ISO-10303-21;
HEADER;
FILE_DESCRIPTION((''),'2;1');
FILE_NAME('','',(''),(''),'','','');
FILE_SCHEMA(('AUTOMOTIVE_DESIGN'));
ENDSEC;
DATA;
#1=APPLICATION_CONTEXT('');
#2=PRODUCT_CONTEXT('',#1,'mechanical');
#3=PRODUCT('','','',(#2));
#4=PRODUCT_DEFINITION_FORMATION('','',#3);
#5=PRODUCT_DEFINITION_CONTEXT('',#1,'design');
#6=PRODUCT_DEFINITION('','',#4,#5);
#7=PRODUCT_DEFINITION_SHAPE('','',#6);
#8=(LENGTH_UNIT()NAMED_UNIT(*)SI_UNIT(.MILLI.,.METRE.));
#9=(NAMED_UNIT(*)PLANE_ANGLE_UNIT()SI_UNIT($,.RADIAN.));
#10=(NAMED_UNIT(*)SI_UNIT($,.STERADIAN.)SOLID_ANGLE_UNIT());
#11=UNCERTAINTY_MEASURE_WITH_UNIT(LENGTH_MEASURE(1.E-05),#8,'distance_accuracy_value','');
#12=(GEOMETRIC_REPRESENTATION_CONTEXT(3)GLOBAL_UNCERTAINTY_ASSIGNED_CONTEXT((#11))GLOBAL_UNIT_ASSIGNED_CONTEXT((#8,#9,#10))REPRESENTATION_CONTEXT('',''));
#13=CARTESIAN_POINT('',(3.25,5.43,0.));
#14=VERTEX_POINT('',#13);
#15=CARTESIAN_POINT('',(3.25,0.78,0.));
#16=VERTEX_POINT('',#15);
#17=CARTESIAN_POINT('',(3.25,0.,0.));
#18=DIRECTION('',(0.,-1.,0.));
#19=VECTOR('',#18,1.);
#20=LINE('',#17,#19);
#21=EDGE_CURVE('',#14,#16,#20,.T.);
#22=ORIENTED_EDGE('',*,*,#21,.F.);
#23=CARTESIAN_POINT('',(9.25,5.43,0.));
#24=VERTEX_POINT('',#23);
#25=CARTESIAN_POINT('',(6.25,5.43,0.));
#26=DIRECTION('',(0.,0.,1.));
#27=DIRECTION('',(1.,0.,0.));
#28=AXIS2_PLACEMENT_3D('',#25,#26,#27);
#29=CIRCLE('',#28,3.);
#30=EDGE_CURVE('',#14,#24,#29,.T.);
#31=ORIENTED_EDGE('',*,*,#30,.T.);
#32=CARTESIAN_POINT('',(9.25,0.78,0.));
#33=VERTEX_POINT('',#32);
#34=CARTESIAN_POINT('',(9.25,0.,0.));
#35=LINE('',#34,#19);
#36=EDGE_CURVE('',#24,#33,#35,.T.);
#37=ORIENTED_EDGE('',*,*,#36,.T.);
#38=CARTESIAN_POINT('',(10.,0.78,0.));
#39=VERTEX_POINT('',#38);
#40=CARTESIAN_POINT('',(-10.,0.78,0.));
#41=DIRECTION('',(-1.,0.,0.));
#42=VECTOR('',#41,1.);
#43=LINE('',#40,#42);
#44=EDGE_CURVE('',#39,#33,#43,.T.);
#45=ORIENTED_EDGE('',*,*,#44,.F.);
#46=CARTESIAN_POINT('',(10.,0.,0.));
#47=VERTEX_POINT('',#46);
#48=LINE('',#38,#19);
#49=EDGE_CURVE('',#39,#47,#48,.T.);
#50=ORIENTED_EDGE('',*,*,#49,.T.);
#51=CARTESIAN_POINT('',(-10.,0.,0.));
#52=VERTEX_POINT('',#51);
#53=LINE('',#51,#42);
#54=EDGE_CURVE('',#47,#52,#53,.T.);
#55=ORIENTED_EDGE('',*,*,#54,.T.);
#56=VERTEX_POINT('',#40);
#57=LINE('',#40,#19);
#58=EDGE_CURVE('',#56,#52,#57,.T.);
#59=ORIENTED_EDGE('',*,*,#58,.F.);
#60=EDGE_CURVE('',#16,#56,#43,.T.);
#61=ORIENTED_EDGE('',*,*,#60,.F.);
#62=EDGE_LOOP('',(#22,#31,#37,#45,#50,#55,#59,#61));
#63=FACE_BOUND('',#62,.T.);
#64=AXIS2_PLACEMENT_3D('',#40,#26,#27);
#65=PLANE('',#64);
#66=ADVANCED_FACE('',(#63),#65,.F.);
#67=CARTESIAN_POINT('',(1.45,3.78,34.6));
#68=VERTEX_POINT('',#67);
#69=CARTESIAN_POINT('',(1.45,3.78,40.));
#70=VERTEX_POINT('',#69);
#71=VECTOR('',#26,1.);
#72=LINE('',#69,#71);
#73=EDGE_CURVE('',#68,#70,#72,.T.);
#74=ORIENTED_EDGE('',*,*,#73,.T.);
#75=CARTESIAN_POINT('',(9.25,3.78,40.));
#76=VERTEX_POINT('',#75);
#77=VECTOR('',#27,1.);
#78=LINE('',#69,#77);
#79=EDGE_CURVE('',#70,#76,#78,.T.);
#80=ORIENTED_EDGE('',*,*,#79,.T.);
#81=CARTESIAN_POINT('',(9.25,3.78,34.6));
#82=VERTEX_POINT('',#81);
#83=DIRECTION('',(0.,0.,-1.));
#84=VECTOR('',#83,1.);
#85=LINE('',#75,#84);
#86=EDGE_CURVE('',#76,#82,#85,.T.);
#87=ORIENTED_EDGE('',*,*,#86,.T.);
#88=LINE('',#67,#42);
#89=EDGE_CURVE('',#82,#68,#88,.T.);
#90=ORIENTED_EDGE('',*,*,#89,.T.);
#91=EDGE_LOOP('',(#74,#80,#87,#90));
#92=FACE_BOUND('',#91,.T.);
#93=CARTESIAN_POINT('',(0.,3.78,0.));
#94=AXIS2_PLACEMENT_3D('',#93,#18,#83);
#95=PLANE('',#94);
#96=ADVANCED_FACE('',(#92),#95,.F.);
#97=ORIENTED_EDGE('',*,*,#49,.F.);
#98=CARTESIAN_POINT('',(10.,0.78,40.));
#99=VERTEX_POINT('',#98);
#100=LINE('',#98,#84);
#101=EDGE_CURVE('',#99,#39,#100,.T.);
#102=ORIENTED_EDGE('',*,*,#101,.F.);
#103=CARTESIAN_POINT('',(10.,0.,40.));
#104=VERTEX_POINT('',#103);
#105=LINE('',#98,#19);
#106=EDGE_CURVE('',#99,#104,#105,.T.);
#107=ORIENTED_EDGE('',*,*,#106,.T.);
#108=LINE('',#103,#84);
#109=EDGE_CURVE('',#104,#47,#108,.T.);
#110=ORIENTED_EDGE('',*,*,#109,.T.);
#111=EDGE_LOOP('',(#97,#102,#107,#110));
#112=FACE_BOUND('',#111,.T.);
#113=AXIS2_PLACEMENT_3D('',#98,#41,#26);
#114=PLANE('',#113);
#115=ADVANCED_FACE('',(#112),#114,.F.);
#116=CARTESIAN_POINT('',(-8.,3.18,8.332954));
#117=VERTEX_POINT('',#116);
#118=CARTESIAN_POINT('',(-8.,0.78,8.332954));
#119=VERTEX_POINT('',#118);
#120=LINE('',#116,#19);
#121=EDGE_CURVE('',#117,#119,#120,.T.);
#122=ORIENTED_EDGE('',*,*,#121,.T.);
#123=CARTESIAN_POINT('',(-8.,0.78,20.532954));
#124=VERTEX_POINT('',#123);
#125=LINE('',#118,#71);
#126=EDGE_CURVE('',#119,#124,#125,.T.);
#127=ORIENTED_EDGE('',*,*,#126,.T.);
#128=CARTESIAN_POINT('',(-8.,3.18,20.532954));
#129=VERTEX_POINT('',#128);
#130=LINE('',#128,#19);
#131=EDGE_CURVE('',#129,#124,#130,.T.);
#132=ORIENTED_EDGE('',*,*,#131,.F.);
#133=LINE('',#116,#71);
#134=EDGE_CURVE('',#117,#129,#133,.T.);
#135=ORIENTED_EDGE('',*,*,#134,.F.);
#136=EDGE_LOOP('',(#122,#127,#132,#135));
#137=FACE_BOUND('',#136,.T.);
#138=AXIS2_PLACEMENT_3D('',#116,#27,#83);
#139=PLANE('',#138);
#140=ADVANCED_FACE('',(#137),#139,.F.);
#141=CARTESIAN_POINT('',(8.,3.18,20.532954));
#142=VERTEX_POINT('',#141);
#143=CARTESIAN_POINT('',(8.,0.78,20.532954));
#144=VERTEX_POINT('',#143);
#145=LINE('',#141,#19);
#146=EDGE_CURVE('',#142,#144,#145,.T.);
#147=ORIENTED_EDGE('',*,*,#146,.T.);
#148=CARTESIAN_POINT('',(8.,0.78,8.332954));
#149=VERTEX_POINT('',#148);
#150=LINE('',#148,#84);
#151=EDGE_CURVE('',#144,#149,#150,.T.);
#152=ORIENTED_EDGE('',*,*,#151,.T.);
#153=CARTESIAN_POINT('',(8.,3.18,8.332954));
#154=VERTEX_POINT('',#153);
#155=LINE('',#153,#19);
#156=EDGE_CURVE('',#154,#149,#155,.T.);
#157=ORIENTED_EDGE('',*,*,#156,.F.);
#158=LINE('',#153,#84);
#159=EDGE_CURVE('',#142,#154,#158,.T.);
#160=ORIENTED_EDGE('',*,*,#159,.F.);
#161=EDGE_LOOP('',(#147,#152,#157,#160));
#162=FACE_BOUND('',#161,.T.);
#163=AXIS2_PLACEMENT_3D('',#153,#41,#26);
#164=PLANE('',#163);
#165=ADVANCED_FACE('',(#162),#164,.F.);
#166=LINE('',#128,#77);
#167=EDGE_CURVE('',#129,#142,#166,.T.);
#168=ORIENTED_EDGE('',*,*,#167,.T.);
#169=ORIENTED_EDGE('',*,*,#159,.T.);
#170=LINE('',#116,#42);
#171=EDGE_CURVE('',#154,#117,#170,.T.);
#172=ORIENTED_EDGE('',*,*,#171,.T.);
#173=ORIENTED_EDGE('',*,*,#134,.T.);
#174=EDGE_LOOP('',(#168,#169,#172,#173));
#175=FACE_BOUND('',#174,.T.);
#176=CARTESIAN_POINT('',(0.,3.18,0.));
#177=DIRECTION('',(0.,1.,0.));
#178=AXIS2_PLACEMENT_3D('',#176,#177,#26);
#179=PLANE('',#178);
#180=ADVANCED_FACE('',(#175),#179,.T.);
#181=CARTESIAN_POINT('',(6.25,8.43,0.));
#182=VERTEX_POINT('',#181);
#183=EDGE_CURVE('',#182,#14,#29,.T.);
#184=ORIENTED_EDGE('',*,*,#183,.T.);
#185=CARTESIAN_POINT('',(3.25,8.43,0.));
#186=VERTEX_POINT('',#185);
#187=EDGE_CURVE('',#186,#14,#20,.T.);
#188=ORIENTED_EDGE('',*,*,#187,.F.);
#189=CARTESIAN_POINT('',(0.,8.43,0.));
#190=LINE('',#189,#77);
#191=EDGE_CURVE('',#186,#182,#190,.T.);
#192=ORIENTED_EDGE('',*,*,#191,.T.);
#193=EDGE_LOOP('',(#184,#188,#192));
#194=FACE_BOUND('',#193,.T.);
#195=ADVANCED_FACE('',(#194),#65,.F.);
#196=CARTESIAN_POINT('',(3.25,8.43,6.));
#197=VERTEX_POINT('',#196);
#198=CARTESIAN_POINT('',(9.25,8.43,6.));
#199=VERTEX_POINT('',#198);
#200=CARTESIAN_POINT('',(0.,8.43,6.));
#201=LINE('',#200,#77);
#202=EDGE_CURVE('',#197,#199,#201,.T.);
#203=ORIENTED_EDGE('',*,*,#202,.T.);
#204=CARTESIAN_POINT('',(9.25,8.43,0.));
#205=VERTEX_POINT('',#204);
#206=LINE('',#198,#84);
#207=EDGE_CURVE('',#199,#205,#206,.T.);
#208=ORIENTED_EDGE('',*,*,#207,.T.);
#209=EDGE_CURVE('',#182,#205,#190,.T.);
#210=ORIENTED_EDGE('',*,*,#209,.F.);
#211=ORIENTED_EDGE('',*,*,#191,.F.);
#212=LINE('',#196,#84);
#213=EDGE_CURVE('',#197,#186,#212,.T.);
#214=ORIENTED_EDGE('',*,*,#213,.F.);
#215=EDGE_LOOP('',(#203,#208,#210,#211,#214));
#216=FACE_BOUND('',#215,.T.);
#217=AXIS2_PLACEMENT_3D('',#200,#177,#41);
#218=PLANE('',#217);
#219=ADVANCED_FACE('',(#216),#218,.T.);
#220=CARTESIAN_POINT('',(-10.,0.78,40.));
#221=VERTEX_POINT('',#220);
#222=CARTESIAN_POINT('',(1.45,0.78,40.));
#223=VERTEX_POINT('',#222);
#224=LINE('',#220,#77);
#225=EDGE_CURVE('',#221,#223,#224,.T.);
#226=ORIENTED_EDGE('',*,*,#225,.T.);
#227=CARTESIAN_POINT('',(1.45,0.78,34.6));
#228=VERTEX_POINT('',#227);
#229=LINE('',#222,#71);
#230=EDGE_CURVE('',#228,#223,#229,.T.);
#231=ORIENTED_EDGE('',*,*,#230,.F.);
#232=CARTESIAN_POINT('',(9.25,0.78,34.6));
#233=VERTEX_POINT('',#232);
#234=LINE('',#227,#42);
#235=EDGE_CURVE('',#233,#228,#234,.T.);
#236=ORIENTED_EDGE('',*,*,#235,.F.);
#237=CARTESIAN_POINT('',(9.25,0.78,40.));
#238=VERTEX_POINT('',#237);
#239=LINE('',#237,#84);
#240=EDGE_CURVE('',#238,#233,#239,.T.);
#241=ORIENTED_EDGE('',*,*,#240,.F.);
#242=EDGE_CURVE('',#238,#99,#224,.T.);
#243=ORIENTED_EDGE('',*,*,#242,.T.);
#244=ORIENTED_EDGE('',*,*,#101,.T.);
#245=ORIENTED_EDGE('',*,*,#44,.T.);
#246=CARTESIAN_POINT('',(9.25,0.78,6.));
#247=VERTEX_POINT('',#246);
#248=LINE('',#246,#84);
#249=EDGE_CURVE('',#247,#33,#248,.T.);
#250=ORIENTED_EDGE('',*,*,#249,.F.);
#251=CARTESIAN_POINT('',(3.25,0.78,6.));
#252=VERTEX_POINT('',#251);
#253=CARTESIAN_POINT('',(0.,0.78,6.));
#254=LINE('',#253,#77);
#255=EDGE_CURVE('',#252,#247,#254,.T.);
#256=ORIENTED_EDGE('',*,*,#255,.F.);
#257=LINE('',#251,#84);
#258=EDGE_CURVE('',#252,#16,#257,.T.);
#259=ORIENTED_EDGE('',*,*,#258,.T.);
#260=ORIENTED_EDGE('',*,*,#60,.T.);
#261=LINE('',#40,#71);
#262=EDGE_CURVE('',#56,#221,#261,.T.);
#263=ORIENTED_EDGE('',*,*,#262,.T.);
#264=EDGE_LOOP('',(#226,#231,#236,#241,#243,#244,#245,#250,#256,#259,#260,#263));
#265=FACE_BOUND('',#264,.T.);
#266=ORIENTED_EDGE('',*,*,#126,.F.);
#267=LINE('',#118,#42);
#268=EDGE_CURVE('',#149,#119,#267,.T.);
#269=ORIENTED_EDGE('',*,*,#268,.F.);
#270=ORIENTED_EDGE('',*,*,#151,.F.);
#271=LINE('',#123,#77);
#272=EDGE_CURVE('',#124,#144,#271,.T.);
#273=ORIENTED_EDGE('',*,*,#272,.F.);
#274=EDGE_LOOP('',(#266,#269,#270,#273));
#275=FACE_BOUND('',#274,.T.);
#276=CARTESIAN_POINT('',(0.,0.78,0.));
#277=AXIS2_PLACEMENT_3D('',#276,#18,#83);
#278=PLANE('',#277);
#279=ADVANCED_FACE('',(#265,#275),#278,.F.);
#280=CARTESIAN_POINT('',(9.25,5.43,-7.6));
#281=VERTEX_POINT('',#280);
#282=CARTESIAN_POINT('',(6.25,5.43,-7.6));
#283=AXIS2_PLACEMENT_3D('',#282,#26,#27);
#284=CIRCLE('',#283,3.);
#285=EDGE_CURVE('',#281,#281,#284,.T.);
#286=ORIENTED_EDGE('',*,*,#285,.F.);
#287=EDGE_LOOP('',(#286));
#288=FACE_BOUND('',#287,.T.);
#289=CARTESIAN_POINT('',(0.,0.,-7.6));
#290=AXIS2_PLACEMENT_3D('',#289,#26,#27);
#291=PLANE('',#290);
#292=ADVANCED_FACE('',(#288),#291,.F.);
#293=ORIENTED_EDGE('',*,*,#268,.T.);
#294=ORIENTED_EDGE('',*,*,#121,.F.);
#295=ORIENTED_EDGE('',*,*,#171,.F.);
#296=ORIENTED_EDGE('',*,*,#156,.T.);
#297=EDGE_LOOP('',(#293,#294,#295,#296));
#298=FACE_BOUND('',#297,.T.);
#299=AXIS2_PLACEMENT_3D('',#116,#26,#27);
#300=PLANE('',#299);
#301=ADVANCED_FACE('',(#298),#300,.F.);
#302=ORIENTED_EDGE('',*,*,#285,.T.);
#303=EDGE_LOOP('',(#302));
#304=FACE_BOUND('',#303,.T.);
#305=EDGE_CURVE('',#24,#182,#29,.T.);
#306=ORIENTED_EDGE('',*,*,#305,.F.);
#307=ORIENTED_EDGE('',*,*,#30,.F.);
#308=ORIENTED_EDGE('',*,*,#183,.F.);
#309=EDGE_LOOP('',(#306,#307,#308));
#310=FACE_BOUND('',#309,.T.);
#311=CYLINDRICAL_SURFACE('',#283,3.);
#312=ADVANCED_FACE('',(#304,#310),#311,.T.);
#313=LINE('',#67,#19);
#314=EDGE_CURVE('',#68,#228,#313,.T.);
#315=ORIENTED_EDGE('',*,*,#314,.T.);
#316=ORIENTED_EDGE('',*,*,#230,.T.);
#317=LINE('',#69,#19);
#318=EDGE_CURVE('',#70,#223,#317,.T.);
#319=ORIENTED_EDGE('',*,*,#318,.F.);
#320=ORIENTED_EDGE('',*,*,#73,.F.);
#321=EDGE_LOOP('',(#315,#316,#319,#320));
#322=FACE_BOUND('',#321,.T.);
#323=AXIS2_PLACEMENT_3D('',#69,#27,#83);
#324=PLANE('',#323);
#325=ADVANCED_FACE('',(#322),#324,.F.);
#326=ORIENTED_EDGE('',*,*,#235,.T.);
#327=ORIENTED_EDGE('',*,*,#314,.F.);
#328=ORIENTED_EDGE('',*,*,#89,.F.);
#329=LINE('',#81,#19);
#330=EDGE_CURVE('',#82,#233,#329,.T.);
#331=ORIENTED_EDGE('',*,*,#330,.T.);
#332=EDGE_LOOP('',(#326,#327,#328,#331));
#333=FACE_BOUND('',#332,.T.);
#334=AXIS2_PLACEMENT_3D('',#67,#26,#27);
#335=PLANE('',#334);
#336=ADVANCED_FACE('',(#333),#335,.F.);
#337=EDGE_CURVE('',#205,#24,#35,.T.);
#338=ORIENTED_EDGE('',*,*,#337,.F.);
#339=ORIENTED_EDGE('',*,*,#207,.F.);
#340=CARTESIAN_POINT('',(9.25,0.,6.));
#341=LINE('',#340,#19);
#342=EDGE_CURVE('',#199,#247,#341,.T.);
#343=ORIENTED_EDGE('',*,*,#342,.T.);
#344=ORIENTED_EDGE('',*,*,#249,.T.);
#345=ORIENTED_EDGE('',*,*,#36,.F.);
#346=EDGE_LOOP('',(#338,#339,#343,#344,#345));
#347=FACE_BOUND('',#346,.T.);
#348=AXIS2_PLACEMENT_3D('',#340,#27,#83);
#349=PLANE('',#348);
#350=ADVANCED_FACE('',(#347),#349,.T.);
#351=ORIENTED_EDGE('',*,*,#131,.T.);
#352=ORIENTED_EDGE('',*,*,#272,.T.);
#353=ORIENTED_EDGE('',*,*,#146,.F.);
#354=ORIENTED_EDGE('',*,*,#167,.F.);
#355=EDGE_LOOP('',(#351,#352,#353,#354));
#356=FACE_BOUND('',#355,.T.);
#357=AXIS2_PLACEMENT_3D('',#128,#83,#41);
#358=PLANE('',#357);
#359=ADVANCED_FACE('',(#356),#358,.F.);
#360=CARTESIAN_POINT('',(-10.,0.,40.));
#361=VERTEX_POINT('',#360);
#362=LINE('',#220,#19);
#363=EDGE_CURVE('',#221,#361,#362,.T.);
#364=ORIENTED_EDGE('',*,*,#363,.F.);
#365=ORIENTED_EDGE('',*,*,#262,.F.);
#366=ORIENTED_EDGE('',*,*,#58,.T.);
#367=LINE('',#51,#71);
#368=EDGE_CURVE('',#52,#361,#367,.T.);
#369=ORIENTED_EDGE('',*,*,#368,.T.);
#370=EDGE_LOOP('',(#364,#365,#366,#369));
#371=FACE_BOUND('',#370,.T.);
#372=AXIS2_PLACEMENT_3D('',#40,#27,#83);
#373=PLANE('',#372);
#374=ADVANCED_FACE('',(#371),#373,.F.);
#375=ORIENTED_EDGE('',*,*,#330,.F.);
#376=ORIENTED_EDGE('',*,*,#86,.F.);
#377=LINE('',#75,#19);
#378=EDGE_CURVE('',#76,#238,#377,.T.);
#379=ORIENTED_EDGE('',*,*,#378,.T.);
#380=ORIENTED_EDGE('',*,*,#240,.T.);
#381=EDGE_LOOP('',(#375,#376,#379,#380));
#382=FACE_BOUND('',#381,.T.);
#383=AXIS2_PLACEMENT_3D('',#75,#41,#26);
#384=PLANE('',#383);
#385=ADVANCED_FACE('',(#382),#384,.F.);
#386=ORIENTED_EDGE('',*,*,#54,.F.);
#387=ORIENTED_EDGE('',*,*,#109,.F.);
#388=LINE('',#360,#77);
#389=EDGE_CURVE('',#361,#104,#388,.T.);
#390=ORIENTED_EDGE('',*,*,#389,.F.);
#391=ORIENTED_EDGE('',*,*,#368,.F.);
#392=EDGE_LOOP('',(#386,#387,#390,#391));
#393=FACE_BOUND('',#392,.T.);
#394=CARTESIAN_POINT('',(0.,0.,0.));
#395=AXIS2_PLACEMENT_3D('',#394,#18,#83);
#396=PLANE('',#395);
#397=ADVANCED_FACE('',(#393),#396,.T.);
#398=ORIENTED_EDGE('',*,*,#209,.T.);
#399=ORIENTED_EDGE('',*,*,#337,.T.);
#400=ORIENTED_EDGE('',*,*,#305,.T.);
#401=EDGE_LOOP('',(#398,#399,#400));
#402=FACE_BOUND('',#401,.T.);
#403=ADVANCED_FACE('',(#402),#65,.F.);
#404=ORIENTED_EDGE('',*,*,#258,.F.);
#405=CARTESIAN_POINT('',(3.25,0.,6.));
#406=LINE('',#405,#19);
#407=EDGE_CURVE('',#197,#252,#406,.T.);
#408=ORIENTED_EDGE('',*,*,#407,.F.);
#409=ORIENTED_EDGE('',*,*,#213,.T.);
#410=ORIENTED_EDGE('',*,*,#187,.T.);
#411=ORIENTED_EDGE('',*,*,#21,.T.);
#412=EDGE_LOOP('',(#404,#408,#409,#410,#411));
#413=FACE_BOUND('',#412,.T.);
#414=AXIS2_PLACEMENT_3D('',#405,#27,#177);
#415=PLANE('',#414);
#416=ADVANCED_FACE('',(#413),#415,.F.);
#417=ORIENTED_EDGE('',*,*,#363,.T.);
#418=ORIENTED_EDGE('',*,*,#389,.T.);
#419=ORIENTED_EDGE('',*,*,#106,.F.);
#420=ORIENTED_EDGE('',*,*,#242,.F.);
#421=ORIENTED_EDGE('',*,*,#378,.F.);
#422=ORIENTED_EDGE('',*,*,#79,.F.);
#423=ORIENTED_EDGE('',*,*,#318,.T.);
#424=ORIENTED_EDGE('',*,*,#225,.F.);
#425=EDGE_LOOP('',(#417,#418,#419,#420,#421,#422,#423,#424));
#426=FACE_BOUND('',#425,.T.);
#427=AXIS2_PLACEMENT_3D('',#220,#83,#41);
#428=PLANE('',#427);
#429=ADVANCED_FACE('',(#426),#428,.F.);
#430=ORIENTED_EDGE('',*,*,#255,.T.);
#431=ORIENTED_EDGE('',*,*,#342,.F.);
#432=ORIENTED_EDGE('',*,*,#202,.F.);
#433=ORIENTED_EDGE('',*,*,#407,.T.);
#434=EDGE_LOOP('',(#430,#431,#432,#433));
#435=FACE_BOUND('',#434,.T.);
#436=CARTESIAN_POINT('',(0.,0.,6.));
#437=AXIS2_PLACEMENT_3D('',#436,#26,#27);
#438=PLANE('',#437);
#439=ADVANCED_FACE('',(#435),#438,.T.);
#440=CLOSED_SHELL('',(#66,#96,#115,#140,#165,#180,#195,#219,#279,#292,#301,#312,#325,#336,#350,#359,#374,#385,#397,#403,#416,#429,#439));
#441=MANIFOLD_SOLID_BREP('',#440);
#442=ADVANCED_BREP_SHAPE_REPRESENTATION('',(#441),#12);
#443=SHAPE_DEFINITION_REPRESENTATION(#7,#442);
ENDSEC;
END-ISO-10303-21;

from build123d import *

# Parameters (mm, degrees)
SKETCH1_W           = 20
SKETCH1_H           = 40
BOSS_EXTRUDE1_DEPTH = 0.78
SKETCH4_W           = 6
SKETCH4_H           = 7.65
BOSS_EXTRUDE2_DEPTH = 6
SKETCH4_3_R         = 3
BOSS_EXTRUDE3_DEPTH = 7.6
SKETCH5_W           = 7.8
SKETCH5_H           = 5.4
BOSS_EXTRUDE4_DEPTH = 3
SKETCH6_W           = 16
SKETCH6_H           = 12.2
BOSS_EXTRUDE5_DEPTH = 2.4


with BuildPart() as part:
    # Sketch1 → Boss-Extrude1 (new body)
    with BuildSketch(Plane(origin=(0, 0, 0), x_dir=(1, 0, 0), z_dir=(0, 1, 0))):
        with Locations((0, -20)):
            Rectangle(SKETCH1_W, SKETCH1_H)
    extrude(amount=BOSS_EXTRUDE1_DEPTH)

    # Sketch4 → Boss-Extrude2 (add)
    with BuildSketch(Plane.XY):
        with Locations((6.25, 4.605)):
            Rectangle(SKETCH4_W, SKETCH4_H)
    extrude(amount=BOSS_EXTRUDE2_DEPTH)

    # Sketch4<3> → Boss-Extrude3 (add)
    with BuildSketch(Plane.XY):
        with Locations((6.25, 5.43)):
            Circle(SKETCH4_3_R)
    extrude(amount=-BOSS_EXTRUDE3_DEPTH)

    # Sketch5 → Boss-Extrude4 (add)
    with BuildSketch(Plane(origin=(0, 0.78, 0), x_dir=(1, 0, 0), z_dir=(0, 1, 0))):
        with Locations((5.35, -37.3)):
            Rectangle(SKETCH5_W, SKETCH5_H)
    extrude(amount=BOSS_EXTRUDE4_DEPTH)

    # Sketch6 → Boss-Extrude5 (add)
    with BuildSketch(Plane(origin=(0, 0.78, 0), x_dir=(1, 0, 0), z_dir=(0, 1, 0))):
        with Locations((0, -14.432954473)):
            Rectangle(SKETCH6_W, SKETCH6_H)
    extrude(amount=BOSS_EXTRUDE5_DEPTH)


solid = part.part
